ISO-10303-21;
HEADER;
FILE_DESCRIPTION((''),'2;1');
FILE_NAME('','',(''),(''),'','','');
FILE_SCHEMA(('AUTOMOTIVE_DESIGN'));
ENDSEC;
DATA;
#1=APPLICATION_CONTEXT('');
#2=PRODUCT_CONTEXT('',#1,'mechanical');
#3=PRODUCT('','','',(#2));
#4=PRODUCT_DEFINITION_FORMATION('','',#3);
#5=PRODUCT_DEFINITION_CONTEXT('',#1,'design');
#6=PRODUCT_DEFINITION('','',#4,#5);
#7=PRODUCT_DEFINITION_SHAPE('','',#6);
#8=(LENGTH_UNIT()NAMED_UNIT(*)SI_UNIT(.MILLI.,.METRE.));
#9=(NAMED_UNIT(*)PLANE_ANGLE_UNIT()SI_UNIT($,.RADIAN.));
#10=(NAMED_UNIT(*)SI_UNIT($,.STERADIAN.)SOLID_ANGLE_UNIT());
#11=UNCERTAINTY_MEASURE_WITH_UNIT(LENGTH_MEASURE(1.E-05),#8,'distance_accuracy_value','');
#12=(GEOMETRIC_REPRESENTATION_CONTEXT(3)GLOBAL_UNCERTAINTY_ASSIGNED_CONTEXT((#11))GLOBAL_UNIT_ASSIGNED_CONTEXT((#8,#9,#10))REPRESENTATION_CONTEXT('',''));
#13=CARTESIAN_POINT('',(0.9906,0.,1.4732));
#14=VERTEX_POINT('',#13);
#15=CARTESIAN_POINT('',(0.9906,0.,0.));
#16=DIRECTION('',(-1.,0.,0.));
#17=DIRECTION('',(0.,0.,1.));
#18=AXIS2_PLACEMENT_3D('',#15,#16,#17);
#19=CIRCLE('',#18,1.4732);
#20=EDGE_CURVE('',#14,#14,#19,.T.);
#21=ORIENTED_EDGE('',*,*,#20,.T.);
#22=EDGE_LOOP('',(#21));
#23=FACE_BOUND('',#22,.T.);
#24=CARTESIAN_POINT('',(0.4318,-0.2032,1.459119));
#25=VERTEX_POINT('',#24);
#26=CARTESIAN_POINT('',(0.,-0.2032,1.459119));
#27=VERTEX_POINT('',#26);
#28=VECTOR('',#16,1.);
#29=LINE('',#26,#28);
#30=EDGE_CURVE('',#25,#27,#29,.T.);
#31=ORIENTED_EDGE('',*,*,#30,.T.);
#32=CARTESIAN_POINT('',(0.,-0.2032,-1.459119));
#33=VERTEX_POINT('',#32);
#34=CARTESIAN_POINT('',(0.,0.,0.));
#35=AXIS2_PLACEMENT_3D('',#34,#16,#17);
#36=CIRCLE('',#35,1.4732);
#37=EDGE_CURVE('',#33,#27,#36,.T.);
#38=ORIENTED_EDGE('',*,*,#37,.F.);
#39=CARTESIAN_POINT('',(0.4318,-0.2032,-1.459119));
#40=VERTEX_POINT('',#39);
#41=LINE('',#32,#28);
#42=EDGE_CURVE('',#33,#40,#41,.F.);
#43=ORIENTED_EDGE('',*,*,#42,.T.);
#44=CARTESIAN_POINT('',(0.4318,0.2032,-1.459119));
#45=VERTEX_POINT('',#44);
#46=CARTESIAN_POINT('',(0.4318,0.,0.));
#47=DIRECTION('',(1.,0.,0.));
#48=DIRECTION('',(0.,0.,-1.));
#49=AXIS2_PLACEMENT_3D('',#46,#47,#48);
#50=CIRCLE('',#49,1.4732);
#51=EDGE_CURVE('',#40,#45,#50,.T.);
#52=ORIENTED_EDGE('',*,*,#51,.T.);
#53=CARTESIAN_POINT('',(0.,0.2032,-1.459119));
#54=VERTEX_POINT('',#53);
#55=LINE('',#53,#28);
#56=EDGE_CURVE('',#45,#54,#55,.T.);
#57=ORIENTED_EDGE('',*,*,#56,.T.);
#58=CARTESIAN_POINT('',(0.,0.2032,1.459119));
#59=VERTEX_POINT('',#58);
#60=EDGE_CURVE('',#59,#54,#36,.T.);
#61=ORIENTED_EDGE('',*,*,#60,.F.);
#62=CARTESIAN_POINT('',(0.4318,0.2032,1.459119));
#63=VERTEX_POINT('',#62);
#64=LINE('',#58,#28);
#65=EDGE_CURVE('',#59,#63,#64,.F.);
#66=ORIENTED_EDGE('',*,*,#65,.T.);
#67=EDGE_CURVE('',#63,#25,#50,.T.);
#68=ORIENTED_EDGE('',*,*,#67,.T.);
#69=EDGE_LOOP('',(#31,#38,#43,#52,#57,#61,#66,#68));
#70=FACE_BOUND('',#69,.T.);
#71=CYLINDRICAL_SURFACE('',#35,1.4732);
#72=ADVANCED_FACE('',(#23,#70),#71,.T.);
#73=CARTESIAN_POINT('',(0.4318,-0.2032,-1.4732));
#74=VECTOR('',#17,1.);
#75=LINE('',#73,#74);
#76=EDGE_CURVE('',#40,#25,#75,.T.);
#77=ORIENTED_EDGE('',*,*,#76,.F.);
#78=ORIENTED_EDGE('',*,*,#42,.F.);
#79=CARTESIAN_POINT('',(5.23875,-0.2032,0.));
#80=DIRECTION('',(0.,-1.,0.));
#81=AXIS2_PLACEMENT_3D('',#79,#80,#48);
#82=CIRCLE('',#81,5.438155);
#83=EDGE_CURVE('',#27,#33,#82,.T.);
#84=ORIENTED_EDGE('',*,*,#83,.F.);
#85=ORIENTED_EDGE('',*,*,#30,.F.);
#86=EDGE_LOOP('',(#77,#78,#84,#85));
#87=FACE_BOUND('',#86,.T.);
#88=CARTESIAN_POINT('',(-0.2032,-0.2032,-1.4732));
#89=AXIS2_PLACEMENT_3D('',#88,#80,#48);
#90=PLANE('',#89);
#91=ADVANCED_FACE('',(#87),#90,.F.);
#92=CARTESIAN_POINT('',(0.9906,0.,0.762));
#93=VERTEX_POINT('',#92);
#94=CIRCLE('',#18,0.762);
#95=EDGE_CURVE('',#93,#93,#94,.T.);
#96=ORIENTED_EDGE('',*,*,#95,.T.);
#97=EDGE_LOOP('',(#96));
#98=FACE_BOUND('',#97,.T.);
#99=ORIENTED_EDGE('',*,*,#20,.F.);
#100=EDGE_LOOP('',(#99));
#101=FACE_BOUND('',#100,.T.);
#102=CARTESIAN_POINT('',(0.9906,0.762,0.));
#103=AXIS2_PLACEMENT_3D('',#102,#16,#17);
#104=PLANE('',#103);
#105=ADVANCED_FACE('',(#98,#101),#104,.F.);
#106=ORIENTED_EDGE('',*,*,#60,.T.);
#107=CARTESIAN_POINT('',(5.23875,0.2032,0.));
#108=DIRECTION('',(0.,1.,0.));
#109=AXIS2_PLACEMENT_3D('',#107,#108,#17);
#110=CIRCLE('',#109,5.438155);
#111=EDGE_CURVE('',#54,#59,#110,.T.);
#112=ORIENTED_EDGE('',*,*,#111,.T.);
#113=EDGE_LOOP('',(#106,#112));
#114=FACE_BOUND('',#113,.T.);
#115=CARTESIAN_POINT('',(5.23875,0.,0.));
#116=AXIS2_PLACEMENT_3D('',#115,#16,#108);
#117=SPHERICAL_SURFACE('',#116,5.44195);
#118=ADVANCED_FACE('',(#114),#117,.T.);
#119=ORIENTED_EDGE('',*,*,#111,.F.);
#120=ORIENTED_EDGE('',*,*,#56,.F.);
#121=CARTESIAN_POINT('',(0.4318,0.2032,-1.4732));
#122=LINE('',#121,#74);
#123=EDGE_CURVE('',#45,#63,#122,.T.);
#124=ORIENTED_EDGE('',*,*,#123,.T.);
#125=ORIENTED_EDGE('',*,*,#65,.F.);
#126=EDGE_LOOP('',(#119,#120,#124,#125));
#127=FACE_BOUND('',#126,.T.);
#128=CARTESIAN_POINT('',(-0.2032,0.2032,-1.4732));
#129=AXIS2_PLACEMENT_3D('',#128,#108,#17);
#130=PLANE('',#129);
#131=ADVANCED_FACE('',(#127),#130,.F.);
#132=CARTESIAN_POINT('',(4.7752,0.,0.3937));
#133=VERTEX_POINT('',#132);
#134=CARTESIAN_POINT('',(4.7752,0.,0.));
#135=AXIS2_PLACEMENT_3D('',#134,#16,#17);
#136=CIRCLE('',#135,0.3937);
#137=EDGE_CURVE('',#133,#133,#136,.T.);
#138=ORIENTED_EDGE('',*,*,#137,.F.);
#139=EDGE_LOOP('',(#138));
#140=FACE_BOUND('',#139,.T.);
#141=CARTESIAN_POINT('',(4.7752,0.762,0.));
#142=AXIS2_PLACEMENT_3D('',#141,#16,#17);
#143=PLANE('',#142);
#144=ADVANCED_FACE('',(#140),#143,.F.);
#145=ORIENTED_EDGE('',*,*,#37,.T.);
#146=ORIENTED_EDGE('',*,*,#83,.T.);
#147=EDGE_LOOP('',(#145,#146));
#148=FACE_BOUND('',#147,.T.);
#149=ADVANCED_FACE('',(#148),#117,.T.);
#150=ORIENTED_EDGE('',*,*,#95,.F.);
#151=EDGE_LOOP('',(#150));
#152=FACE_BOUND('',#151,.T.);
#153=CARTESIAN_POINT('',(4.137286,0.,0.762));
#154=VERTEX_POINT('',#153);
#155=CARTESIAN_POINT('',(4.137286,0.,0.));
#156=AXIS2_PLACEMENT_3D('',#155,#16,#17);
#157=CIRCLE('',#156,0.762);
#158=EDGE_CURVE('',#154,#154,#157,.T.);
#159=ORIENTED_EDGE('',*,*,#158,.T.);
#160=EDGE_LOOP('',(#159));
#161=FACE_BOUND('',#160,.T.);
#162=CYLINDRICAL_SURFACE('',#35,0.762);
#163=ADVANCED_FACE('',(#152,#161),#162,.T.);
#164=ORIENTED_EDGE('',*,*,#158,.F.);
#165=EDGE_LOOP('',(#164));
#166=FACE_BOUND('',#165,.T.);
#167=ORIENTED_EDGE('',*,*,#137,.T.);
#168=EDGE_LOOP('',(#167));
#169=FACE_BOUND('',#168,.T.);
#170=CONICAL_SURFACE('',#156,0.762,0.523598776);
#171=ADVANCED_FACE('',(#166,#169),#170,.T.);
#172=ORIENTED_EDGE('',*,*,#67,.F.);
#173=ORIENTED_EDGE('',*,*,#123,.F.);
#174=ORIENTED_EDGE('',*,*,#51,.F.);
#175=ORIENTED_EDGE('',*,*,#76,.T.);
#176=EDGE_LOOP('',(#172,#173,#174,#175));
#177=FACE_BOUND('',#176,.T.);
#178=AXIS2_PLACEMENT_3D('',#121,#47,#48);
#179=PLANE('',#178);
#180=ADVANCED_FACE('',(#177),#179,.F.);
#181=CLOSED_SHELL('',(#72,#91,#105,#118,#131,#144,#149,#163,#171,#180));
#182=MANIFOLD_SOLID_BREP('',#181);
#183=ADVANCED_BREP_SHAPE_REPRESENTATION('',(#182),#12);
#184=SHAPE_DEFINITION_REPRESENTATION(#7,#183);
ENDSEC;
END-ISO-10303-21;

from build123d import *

# Parameters (mm, degrees)
SLOT_CUT_EXTRUDE1_DEPTH      = 6.209910894
SLOT_CUT_EXTRUDE1_DEPTH_BACK = 6.209910894
SKETCH2_W                    = 0.635
SKETCH2_H                    = 0.4064


with BuildPart() as part:
    # Sketch1 → base-Revolve (revolve)
    with BuildSketch(Plane.XY, mode=Mode.PRIVATE) as base_revolve_sk:
        with BuildLine():
            Line((0.9906, 0.762), (0.9906, 1.4732))
            Line((0.9906, 1.4732), (0, 1.4732))
            ThreePointArc((0, 1.4732), (-0.152160654, 0.743573883), (-0.2032, 0))
            Line((-0.2032, 0), (0, 0))
            Line((0, 0), (4.7752, 0))
            Line((4.7752, 0), (4.7752, 0.762))
            Line((4.7752, 0.762), (0.9906, 0.762))
        make_face()
    revolve(base_revolve_sk.sketch.rotate(Axis((0, 0, 0), (1, 0, 0)), 90), axis=Axis((0, 0, 0), (1, 0, 0)))

    # Sketch2 → slot_Cut-Extrude1 (cut, two sides: drawn at the far end of the back side and taken through both)
    with BuildSketch(Plane.XY.offset(-SLOT_CUT_EXTRUDE1_DEPTH_BACK)):
        with Locations((0.1143, 0)):
            Rectangle(SKETCH2_W, SKETCH2_H)
    extrude(amount=SLOT_CUT_EXTRUDE1_DEPTH + SLOT_CUT_EXTRUDE1_DEPTH_BACK, mode=Mode.SUBTRACT)

    # Sketch8 → point_Cut-Revolve1 (revolve, cut)
    with BuildSketch(Plane.XY, mode=Mode.PRIVATE) as point_cut_revolve1_sk:
        Polygon((4.7752, 0), (5.2832, 0), (5.2832, 1.27), (4.137285688, 1.27), (4.137285688, 0.762), (4.7752, 0.3937), align=None)
    revolve(point_cut_revolve1_sk.sketch.rotate(Axis((0, 0, 0), (1, 0, 0)), 90), axis=Axis((0, 0, 0), (1, 0, 0)), mode=Mode.SUBTRACT)


solid = part.part
